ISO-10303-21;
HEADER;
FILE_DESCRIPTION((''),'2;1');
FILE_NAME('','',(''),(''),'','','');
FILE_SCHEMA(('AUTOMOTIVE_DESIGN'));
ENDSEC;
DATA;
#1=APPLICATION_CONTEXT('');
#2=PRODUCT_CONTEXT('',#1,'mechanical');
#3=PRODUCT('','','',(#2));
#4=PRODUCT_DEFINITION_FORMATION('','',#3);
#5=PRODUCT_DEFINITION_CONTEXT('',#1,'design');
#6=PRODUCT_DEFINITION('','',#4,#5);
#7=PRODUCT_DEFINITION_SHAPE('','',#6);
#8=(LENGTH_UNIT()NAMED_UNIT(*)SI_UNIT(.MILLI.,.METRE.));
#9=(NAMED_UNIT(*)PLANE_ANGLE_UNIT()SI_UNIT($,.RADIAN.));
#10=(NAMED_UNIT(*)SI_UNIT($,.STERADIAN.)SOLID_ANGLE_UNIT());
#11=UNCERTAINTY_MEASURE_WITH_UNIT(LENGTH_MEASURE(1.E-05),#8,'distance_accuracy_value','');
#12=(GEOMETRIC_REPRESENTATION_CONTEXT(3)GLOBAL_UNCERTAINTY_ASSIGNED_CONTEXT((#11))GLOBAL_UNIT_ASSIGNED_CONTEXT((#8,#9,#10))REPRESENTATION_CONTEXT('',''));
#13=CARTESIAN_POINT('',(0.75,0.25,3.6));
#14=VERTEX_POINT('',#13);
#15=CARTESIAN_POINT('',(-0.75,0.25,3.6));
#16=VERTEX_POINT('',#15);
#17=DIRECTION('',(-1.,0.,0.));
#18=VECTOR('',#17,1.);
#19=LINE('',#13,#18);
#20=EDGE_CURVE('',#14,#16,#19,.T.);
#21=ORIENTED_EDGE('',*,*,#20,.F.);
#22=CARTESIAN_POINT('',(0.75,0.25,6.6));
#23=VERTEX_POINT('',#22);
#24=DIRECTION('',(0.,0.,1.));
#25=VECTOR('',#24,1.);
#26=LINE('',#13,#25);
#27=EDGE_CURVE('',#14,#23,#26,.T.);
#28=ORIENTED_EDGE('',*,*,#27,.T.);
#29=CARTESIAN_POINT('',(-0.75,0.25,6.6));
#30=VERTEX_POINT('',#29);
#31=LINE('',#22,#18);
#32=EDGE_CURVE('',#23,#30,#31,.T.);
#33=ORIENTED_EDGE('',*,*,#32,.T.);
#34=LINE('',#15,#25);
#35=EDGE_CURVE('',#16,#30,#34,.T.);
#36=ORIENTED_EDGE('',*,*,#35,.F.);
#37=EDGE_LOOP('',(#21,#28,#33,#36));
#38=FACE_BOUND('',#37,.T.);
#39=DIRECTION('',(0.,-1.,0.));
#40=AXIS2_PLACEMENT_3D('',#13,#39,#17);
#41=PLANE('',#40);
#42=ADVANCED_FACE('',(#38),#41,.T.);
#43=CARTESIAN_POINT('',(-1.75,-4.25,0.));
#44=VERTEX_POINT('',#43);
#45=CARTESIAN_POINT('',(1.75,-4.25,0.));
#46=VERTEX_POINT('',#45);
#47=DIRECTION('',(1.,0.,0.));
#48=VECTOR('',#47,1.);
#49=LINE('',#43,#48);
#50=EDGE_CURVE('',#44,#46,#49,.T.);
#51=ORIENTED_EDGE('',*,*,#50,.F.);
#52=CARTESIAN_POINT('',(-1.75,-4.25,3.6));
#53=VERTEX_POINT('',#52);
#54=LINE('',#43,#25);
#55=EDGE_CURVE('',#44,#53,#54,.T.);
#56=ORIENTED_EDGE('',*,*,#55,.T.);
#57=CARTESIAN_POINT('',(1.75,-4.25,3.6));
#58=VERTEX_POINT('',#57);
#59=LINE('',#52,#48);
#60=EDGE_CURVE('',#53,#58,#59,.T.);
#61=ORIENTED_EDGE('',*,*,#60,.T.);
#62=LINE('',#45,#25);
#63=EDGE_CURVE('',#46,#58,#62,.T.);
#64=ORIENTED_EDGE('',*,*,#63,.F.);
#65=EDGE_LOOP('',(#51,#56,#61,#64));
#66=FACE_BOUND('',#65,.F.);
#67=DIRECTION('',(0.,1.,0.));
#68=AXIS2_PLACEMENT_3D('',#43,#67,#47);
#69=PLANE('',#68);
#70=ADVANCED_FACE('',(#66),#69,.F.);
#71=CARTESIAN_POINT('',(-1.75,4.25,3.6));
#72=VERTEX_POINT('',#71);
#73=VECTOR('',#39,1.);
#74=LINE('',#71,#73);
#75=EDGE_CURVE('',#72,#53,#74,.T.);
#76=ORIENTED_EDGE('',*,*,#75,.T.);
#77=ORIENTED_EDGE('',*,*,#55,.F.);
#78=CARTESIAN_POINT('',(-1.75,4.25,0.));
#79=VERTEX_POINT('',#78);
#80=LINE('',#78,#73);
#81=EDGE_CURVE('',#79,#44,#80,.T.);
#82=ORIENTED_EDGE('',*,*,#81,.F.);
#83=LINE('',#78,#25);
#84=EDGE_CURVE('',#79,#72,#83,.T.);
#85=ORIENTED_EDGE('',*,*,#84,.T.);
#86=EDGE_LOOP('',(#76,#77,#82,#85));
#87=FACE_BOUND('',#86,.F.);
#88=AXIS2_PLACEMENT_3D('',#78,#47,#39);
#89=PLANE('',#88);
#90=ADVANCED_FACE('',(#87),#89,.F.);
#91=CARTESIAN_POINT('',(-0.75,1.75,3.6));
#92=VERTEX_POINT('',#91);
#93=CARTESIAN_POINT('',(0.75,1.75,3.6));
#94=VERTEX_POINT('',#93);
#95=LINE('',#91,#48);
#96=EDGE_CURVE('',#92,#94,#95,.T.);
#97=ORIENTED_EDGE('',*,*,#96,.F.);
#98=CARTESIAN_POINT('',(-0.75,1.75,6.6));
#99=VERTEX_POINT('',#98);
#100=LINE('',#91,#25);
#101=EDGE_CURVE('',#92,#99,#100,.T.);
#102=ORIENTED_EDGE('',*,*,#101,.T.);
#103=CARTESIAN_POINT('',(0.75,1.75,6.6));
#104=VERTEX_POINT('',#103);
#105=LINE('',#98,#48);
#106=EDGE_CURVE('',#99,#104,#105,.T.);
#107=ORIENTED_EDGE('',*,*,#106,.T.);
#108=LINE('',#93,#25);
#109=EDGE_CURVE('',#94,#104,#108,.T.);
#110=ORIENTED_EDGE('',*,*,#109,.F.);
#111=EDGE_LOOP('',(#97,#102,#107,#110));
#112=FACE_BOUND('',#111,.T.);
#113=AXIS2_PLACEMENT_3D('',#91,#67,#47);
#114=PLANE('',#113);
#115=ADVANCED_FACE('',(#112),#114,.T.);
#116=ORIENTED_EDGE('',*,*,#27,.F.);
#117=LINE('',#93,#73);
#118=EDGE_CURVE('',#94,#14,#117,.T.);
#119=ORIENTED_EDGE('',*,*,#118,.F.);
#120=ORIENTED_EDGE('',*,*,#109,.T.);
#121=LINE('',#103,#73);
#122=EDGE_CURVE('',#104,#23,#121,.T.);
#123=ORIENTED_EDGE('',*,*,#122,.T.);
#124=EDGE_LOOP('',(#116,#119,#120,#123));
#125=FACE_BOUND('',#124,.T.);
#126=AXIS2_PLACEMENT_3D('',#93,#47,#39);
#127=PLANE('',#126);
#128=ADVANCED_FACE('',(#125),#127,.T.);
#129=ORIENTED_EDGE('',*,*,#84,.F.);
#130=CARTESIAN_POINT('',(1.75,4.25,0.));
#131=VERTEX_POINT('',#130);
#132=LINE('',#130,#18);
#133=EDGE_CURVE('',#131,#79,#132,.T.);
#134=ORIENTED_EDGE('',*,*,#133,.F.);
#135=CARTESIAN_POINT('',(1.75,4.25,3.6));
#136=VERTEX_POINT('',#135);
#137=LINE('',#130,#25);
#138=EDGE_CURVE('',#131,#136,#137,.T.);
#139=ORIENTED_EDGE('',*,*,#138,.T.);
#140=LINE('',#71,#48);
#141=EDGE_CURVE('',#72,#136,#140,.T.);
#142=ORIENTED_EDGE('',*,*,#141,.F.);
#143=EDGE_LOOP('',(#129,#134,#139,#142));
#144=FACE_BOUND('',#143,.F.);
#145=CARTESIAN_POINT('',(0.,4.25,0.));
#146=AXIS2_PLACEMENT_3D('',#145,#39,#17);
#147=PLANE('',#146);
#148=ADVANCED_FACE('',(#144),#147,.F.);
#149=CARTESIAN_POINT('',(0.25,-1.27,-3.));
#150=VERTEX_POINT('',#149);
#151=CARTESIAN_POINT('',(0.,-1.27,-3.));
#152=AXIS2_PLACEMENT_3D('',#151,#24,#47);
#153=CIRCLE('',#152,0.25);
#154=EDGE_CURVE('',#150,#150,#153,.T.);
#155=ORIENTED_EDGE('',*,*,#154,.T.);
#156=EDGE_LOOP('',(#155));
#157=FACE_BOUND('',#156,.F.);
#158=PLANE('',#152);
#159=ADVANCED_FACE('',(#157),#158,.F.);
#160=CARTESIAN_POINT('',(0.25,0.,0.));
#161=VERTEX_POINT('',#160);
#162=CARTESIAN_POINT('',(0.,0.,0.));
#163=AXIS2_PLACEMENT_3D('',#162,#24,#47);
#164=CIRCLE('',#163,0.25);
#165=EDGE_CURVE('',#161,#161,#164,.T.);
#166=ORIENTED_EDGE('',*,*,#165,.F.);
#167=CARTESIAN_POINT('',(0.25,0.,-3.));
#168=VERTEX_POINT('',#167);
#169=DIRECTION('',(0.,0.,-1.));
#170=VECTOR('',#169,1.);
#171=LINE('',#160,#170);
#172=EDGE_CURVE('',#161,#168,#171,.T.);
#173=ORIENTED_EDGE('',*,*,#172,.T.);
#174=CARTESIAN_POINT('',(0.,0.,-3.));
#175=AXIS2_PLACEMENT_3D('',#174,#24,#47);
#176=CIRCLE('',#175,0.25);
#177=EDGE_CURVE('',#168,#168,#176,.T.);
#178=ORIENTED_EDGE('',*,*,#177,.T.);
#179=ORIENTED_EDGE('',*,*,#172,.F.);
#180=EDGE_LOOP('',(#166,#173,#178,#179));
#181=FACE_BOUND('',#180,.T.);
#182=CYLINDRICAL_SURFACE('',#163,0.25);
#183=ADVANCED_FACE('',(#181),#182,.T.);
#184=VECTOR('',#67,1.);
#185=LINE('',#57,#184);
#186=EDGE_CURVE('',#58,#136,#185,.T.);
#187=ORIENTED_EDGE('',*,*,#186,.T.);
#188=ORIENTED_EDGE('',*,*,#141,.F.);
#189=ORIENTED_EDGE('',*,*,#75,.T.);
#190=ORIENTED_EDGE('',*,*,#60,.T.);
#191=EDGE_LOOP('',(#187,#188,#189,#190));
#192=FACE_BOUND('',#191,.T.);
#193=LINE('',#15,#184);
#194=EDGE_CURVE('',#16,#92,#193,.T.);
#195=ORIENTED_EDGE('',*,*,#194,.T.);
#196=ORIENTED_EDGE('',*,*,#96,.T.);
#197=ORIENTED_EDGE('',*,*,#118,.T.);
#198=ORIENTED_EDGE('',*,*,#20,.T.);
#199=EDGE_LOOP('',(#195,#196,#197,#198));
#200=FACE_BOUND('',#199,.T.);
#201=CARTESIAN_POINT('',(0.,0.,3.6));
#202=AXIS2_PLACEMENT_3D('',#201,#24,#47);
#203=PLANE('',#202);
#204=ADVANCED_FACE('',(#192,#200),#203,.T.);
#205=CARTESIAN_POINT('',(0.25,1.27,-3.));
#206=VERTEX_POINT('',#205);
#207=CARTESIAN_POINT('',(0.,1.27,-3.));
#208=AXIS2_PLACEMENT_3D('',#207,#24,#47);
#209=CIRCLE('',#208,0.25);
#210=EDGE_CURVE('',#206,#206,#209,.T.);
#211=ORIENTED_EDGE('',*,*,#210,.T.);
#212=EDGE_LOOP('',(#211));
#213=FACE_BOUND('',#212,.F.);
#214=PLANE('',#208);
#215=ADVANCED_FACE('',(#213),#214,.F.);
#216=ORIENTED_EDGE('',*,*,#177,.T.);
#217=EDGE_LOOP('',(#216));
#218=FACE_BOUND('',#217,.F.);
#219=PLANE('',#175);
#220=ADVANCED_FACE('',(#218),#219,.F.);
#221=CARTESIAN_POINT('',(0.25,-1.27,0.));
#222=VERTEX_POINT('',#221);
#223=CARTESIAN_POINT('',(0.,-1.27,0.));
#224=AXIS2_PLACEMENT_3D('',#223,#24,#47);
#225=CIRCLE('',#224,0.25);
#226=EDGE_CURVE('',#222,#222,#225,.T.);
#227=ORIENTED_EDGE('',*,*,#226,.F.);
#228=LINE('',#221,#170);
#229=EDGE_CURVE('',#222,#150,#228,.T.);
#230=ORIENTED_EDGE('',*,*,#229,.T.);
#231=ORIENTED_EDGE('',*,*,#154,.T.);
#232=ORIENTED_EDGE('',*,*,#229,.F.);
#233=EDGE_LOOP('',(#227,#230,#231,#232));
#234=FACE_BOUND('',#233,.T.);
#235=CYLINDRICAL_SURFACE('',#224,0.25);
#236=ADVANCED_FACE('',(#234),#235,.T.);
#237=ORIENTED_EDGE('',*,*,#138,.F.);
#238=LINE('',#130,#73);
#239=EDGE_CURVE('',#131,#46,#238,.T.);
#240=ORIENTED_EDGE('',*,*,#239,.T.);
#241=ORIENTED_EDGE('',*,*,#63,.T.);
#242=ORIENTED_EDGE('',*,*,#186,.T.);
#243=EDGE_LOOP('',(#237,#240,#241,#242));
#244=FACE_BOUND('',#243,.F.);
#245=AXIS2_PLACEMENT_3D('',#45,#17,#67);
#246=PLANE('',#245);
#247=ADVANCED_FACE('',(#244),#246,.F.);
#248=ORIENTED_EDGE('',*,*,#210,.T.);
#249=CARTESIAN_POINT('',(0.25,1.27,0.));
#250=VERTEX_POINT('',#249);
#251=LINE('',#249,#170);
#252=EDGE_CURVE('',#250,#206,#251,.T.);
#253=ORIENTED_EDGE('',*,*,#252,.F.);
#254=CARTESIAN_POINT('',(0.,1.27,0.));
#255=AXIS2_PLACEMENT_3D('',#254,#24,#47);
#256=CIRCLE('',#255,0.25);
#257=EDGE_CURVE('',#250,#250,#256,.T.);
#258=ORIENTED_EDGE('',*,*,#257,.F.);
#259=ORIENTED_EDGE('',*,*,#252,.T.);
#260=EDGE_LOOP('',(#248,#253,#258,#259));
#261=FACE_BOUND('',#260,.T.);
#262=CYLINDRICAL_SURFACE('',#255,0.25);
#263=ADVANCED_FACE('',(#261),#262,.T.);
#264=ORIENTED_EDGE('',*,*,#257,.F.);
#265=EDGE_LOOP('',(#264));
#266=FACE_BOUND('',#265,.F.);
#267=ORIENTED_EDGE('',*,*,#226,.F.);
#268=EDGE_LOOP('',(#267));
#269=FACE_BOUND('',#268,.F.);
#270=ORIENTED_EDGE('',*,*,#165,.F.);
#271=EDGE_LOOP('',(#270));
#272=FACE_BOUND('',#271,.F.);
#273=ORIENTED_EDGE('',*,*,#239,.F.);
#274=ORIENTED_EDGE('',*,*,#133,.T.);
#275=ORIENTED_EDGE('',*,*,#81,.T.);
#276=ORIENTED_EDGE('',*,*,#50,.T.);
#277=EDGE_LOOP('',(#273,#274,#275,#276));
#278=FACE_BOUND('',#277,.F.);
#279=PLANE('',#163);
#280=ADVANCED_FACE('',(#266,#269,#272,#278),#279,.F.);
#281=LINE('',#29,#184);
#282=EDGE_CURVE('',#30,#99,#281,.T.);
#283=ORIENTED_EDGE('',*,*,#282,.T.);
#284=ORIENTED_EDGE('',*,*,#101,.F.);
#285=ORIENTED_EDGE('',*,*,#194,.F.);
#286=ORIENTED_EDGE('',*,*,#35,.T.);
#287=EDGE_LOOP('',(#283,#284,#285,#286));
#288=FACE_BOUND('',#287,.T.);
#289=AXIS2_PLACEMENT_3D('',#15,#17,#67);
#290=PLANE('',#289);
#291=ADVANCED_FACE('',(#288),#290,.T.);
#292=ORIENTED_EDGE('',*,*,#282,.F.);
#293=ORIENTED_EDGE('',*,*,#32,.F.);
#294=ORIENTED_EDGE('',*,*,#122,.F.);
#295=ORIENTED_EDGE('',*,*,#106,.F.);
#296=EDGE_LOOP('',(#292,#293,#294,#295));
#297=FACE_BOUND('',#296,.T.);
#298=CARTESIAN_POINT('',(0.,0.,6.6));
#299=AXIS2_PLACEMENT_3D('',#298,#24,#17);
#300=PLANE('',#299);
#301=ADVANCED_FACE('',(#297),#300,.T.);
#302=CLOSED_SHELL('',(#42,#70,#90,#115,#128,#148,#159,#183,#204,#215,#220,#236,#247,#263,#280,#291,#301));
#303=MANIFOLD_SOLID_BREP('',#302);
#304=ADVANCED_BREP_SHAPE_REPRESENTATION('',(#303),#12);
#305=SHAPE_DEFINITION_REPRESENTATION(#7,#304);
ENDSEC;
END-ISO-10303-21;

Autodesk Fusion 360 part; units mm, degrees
sketch "スケッチ1" plane through (0, 0, 0) normal (0, 0, 1) x (1, 0, 0)
  line L0 (-1.75, -4.25) -> (1.75, -4.25)
  line L1 (1.75, -4.25) -> (1.75, 4.25)
  line L2 (1.75, 4.25) -> (-1.75, 4.25)
  line L3 (-1.75, 4.25) -> (-1.75, -4.25)
  line L4 (0, 1.75) -> (0, 22.5)
  line L5 (1.75, 0) -> (22.5, 0)
  circle A0 centre (0, 0) radius 0.25
  dimension "d1" = 3.5
  dimension "d2" = 8.5
  dimension "d9" = 0.5
extrude "押し出し1" add sketch "スケッチ1" along normal blind 3.6 contours L0 L1 L2 L3 | A0
sketch "スケッチ2" plane through (0, 0, 3.6) normal (0, 0, 1) x (-1, 0, 0)
  line L0 (1.75, -4.25) -> (1.75, 4.25)
  line L1 (1.75, 4.25) -> (-1.75, 4.25)
  line L2 (-1.75, 4.25) -> (-1.75, -4.25)
  line L3 (-1.75, -4.25) -> (1.75, -4.25)
  line L4 (0.75, -1.75) -> (-0.75, -1.75)
  line L5 (-0.75, -1.75) -> (-0.75, -0.25)
  line L6 (-0.75, -0.25) -> (0.75, -0.25)
  line L7 (0.75, -0.25) -> (0.75, -1.75)
  line L8 (-1.75, 0) -> (-22.5, 0)
  line L9 (0, -1.75) -> (0, -22.5)
  dimension "d5" = 1.5
  dimension "d6" = 1.5
  dimension "d16" = 1.75
extrude "押し出し2" add sketch "スケッチ2" along normal blind 3 contours L4 L5 L6 L7
extrude "押し出し3" add sketch "スケッチ1" against normal blind 3 contours A0
pattern_linear "R パターン1" count 3 spacing 2.54 along (0, -1, 0) both ways of "押し出し3"
